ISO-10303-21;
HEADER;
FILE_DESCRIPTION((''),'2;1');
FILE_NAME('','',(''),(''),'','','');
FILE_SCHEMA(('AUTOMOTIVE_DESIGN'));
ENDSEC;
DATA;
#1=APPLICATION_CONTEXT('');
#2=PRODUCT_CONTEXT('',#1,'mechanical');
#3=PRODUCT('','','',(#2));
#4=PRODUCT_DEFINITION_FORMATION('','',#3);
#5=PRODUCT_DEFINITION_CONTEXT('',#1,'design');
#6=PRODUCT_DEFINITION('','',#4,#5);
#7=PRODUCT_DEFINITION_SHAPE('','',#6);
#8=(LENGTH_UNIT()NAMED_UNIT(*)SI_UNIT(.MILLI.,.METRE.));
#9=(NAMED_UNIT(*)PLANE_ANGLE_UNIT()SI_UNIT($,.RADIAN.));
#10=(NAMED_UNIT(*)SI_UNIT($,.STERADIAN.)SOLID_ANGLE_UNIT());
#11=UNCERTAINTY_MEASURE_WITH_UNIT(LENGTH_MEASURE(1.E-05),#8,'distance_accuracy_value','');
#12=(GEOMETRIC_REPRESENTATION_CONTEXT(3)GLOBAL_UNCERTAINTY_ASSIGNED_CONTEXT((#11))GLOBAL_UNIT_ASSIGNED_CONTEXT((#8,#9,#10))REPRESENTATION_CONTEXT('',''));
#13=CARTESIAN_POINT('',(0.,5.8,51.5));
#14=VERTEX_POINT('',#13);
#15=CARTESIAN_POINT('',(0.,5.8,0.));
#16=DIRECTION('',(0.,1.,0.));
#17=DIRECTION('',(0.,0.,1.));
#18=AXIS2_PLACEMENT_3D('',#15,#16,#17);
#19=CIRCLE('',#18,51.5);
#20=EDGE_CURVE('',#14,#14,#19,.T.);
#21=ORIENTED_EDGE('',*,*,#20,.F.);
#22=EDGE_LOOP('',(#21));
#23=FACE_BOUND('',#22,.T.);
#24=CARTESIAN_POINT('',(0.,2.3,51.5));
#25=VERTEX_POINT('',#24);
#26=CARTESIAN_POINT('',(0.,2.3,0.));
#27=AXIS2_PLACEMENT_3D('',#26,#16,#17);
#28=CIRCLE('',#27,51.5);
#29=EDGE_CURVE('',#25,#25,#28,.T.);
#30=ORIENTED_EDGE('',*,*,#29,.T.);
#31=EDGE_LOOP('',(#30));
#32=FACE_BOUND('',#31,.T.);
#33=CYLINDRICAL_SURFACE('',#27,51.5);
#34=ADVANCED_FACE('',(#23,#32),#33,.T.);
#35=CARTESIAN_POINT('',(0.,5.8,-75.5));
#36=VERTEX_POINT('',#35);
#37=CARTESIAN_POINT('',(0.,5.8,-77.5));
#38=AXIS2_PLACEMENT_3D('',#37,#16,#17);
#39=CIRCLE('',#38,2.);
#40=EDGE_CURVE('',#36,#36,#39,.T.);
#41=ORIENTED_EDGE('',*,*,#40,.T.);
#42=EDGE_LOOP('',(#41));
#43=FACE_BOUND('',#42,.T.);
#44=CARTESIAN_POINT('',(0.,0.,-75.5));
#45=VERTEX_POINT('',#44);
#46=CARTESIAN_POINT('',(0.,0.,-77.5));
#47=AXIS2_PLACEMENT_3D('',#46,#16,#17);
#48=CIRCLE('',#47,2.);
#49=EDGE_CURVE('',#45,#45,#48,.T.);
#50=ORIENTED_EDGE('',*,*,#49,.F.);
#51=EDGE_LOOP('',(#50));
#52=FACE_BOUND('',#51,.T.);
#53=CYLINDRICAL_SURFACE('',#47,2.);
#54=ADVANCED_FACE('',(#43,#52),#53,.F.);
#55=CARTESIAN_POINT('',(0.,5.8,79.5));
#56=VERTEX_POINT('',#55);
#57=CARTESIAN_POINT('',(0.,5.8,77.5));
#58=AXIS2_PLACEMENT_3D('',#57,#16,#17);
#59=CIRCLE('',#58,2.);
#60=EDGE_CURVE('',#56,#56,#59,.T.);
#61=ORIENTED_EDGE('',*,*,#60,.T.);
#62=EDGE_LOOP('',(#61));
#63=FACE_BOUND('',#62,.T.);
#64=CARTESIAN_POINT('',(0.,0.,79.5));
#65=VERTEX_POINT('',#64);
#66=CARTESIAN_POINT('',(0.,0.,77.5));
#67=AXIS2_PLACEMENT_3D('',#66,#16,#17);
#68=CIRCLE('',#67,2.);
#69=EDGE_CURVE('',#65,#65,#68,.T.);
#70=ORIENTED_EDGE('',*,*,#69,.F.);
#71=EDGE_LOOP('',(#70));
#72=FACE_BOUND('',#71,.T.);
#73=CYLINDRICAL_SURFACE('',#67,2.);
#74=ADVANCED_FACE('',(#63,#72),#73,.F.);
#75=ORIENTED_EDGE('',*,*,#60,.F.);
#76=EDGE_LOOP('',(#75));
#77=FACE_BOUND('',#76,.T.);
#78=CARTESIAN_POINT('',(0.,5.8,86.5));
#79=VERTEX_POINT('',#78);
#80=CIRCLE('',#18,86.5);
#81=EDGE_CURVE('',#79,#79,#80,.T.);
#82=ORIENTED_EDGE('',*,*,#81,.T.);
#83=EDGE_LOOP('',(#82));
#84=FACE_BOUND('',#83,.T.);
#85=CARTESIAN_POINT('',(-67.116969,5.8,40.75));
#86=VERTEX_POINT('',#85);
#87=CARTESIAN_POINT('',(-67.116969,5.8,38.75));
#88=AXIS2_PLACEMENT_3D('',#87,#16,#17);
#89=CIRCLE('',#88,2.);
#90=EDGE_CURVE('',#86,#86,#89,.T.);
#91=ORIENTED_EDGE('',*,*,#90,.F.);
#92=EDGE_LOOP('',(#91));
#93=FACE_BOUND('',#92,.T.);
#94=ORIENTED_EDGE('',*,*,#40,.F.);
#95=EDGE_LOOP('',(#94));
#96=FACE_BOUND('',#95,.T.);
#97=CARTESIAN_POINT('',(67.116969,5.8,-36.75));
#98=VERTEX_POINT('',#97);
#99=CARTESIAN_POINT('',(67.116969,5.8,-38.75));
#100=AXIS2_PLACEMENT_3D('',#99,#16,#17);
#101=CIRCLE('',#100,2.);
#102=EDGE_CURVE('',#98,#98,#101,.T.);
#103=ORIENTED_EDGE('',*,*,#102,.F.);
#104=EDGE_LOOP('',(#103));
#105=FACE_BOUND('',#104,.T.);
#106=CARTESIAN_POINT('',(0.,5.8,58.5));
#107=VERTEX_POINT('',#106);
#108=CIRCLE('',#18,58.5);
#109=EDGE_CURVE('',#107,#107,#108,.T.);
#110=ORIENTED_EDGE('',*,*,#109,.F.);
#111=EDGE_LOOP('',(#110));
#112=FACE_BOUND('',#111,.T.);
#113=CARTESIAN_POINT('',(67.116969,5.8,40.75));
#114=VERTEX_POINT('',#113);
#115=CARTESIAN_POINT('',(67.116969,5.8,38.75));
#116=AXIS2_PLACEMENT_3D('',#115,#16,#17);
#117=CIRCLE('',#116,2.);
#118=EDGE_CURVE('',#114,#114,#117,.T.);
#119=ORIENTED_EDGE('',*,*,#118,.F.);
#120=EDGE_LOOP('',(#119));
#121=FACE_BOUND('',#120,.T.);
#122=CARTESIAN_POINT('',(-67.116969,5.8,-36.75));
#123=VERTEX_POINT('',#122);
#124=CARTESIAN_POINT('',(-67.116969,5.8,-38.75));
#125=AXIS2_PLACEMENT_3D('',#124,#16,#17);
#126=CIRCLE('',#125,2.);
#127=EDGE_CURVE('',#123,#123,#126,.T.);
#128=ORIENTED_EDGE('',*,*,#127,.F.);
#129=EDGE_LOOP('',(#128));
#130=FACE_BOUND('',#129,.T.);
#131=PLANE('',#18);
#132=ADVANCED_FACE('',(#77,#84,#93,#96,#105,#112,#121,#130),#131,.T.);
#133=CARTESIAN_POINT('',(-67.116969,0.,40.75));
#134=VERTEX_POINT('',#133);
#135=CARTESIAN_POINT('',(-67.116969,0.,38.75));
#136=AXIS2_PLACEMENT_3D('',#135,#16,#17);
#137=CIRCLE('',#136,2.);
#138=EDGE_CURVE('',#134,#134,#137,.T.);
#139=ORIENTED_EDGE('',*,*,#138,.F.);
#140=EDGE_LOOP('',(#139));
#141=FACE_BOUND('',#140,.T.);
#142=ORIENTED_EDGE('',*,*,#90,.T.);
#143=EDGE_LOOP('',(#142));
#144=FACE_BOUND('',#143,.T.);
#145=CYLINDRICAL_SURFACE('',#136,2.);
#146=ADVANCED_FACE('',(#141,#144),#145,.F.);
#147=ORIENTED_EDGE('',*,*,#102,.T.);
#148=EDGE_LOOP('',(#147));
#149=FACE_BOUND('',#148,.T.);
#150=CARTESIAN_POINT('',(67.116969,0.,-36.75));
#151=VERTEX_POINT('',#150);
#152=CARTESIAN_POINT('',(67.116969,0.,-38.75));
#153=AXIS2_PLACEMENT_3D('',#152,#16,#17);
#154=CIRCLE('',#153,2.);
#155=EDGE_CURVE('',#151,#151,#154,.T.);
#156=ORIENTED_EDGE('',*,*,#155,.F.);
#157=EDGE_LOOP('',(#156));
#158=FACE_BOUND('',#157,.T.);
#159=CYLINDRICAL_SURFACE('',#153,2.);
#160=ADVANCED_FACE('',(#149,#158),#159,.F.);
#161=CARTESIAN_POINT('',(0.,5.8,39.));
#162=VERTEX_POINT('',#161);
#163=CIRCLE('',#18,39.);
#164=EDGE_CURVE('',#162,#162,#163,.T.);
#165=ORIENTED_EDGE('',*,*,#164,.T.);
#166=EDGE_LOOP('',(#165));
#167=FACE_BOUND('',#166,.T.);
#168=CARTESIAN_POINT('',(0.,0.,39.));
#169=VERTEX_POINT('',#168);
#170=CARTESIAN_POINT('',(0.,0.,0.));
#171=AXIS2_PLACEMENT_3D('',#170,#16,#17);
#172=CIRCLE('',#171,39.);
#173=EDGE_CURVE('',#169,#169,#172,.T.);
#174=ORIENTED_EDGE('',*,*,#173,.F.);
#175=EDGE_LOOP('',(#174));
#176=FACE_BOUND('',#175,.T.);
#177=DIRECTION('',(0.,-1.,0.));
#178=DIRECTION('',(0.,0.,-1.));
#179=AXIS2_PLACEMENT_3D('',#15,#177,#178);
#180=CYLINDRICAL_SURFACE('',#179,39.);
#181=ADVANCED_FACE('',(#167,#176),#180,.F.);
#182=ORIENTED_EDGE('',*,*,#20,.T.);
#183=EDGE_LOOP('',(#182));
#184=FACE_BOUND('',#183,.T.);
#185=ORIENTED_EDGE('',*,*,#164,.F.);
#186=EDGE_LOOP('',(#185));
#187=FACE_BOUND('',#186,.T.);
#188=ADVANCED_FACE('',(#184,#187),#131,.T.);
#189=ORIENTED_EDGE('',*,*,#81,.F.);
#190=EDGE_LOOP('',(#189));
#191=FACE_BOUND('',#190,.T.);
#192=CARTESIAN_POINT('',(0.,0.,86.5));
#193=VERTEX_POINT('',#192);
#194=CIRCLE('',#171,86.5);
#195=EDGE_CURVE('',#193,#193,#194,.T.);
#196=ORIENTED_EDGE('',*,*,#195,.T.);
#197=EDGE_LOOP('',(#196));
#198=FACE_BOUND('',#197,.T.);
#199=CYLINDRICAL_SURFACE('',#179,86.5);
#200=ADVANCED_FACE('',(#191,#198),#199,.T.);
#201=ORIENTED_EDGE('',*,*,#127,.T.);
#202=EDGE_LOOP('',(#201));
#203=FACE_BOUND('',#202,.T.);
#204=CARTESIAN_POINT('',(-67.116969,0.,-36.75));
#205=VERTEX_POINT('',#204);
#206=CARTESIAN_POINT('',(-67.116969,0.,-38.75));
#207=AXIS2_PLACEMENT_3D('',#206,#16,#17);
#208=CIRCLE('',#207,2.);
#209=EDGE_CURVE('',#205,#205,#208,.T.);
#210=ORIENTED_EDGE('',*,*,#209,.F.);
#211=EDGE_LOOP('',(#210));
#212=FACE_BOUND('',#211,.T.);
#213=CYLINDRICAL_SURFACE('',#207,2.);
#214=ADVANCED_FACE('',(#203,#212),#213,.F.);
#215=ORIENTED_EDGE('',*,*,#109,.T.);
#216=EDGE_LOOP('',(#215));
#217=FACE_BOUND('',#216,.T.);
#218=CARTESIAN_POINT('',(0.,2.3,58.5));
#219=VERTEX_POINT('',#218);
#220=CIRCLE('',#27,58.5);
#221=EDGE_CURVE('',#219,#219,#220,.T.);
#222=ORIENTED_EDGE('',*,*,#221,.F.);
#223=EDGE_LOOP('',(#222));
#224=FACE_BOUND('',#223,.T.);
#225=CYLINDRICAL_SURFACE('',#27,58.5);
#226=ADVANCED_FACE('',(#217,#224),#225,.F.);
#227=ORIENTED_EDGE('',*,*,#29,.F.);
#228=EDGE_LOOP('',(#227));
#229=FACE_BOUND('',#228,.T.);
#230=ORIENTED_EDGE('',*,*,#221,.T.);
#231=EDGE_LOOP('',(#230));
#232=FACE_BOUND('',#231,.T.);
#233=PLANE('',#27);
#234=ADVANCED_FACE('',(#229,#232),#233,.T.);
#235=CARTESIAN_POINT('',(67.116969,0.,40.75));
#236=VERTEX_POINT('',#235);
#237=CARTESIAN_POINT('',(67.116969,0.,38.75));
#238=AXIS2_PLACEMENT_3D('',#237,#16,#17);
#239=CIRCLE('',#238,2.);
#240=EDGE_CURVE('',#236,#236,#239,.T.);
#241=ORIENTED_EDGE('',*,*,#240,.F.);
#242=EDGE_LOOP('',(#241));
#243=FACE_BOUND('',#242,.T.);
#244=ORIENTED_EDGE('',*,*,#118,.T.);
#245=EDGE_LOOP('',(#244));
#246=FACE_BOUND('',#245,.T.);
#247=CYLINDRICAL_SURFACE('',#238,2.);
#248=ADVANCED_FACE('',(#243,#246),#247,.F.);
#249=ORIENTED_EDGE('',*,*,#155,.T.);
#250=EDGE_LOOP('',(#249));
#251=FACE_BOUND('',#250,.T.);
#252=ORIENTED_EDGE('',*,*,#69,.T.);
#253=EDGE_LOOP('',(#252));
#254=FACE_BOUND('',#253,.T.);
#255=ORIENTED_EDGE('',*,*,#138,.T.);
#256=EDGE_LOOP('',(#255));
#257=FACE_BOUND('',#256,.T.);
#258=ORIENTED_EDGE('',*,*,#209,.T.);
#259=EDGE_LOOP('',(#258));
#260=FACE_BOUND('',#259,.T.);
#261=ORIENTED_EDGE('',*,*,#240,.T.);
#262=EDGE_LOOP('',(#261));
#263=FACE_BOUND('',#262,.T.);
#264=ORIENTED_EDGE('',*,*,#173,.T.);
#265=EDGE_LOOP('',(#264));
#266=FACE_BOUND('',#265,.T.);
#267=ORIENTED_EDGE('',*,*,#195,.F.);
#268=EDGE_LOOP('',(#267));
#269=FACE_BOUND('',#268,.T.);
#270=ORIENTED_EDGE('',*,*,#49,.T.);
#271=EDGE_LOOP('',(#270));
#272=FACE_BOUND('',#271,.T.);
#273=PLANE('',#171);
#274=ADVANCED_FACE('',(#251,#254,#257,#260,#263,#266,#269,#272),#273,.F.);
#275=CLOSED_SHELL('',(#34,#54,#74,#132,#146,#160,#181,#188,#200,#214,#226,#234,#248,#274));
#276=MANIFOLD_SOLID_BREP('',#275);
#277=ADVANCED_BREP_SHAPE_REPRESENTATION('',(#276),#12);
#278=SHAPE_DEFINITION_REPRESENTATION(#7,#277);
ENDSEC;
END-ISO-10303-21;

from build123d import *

# Parameters (mm, degrees)
SKETCH1_R           = 86.5
SKETCH1_R_2         = 39
BOSS_EXTRUDE1_DEPTH = 5.8
SKETCH2_R           = 58.5
SKETCH2_R_2         = 51.5
CUT_EXTRUDE1_DEPTH  = 3.5
SKETCH3_R           = 2
CUT_EXTRUDE2_DEPTH  = 6.8


with BuildPart() as part:
    # Sketch1 → Boss-Extrude1 (new body)
    with BuildSketch(Plane(origin=(0, 0, 0), x_dir=(1, 0, 0), z_dir=(0, 1, 0))):
        Circle(SKETCH1_R)
        Circle(SKETCH1_R_2, mode=Mode.SUBTRACT)
    extrude(amount=BOSS_EXTRUDE1_DEPTH)

    # Sketch2 → Cut-Extrude1 (cut)
    with BuildSketch(Plane(origin=(0, 5.8, 0), x_dir=(1, 0, 0), z_dir=(0, 1, 0))):
        Circle(SKETCH2_R)
        Circle(SKETCH2_R_2, mode=Mode.SUBTRACT)
    extrude(amount=-CUT_EXTRUDE1_DEPTH, mode=Mode.SUBTRACT)

    # Sketch3 → Cut-Extrude2 (cut, through all)
    with BuildSketch(Plane(origin=(0, 5.8, 0), x_dir=(1, 0, 0), z_dir=(0, 1, 0))):
        with Locations((0, 77.5)):
            Circle(SKETCH3_R)
        with Locations((67.116968793, 38.75)):
            Circle(SKETCH3_R)
        with Locations((67.116968793, -38.75)):
            Circle(SKETCH3_R)
        with Locations((0, -77.5)):
            Circle(SKETCH3_R)
        with Locations((-67.116968793, -38.75)):
            Circle(SKETCH3_R)
        with Locations((-67.116968793, 38.75)):
            Circle(SKETCH3_R)
    extrude(amount=-CUT_EXTRUDE2_DEPTH, mode=Mode.SUBTRACT)


solid = part.part
